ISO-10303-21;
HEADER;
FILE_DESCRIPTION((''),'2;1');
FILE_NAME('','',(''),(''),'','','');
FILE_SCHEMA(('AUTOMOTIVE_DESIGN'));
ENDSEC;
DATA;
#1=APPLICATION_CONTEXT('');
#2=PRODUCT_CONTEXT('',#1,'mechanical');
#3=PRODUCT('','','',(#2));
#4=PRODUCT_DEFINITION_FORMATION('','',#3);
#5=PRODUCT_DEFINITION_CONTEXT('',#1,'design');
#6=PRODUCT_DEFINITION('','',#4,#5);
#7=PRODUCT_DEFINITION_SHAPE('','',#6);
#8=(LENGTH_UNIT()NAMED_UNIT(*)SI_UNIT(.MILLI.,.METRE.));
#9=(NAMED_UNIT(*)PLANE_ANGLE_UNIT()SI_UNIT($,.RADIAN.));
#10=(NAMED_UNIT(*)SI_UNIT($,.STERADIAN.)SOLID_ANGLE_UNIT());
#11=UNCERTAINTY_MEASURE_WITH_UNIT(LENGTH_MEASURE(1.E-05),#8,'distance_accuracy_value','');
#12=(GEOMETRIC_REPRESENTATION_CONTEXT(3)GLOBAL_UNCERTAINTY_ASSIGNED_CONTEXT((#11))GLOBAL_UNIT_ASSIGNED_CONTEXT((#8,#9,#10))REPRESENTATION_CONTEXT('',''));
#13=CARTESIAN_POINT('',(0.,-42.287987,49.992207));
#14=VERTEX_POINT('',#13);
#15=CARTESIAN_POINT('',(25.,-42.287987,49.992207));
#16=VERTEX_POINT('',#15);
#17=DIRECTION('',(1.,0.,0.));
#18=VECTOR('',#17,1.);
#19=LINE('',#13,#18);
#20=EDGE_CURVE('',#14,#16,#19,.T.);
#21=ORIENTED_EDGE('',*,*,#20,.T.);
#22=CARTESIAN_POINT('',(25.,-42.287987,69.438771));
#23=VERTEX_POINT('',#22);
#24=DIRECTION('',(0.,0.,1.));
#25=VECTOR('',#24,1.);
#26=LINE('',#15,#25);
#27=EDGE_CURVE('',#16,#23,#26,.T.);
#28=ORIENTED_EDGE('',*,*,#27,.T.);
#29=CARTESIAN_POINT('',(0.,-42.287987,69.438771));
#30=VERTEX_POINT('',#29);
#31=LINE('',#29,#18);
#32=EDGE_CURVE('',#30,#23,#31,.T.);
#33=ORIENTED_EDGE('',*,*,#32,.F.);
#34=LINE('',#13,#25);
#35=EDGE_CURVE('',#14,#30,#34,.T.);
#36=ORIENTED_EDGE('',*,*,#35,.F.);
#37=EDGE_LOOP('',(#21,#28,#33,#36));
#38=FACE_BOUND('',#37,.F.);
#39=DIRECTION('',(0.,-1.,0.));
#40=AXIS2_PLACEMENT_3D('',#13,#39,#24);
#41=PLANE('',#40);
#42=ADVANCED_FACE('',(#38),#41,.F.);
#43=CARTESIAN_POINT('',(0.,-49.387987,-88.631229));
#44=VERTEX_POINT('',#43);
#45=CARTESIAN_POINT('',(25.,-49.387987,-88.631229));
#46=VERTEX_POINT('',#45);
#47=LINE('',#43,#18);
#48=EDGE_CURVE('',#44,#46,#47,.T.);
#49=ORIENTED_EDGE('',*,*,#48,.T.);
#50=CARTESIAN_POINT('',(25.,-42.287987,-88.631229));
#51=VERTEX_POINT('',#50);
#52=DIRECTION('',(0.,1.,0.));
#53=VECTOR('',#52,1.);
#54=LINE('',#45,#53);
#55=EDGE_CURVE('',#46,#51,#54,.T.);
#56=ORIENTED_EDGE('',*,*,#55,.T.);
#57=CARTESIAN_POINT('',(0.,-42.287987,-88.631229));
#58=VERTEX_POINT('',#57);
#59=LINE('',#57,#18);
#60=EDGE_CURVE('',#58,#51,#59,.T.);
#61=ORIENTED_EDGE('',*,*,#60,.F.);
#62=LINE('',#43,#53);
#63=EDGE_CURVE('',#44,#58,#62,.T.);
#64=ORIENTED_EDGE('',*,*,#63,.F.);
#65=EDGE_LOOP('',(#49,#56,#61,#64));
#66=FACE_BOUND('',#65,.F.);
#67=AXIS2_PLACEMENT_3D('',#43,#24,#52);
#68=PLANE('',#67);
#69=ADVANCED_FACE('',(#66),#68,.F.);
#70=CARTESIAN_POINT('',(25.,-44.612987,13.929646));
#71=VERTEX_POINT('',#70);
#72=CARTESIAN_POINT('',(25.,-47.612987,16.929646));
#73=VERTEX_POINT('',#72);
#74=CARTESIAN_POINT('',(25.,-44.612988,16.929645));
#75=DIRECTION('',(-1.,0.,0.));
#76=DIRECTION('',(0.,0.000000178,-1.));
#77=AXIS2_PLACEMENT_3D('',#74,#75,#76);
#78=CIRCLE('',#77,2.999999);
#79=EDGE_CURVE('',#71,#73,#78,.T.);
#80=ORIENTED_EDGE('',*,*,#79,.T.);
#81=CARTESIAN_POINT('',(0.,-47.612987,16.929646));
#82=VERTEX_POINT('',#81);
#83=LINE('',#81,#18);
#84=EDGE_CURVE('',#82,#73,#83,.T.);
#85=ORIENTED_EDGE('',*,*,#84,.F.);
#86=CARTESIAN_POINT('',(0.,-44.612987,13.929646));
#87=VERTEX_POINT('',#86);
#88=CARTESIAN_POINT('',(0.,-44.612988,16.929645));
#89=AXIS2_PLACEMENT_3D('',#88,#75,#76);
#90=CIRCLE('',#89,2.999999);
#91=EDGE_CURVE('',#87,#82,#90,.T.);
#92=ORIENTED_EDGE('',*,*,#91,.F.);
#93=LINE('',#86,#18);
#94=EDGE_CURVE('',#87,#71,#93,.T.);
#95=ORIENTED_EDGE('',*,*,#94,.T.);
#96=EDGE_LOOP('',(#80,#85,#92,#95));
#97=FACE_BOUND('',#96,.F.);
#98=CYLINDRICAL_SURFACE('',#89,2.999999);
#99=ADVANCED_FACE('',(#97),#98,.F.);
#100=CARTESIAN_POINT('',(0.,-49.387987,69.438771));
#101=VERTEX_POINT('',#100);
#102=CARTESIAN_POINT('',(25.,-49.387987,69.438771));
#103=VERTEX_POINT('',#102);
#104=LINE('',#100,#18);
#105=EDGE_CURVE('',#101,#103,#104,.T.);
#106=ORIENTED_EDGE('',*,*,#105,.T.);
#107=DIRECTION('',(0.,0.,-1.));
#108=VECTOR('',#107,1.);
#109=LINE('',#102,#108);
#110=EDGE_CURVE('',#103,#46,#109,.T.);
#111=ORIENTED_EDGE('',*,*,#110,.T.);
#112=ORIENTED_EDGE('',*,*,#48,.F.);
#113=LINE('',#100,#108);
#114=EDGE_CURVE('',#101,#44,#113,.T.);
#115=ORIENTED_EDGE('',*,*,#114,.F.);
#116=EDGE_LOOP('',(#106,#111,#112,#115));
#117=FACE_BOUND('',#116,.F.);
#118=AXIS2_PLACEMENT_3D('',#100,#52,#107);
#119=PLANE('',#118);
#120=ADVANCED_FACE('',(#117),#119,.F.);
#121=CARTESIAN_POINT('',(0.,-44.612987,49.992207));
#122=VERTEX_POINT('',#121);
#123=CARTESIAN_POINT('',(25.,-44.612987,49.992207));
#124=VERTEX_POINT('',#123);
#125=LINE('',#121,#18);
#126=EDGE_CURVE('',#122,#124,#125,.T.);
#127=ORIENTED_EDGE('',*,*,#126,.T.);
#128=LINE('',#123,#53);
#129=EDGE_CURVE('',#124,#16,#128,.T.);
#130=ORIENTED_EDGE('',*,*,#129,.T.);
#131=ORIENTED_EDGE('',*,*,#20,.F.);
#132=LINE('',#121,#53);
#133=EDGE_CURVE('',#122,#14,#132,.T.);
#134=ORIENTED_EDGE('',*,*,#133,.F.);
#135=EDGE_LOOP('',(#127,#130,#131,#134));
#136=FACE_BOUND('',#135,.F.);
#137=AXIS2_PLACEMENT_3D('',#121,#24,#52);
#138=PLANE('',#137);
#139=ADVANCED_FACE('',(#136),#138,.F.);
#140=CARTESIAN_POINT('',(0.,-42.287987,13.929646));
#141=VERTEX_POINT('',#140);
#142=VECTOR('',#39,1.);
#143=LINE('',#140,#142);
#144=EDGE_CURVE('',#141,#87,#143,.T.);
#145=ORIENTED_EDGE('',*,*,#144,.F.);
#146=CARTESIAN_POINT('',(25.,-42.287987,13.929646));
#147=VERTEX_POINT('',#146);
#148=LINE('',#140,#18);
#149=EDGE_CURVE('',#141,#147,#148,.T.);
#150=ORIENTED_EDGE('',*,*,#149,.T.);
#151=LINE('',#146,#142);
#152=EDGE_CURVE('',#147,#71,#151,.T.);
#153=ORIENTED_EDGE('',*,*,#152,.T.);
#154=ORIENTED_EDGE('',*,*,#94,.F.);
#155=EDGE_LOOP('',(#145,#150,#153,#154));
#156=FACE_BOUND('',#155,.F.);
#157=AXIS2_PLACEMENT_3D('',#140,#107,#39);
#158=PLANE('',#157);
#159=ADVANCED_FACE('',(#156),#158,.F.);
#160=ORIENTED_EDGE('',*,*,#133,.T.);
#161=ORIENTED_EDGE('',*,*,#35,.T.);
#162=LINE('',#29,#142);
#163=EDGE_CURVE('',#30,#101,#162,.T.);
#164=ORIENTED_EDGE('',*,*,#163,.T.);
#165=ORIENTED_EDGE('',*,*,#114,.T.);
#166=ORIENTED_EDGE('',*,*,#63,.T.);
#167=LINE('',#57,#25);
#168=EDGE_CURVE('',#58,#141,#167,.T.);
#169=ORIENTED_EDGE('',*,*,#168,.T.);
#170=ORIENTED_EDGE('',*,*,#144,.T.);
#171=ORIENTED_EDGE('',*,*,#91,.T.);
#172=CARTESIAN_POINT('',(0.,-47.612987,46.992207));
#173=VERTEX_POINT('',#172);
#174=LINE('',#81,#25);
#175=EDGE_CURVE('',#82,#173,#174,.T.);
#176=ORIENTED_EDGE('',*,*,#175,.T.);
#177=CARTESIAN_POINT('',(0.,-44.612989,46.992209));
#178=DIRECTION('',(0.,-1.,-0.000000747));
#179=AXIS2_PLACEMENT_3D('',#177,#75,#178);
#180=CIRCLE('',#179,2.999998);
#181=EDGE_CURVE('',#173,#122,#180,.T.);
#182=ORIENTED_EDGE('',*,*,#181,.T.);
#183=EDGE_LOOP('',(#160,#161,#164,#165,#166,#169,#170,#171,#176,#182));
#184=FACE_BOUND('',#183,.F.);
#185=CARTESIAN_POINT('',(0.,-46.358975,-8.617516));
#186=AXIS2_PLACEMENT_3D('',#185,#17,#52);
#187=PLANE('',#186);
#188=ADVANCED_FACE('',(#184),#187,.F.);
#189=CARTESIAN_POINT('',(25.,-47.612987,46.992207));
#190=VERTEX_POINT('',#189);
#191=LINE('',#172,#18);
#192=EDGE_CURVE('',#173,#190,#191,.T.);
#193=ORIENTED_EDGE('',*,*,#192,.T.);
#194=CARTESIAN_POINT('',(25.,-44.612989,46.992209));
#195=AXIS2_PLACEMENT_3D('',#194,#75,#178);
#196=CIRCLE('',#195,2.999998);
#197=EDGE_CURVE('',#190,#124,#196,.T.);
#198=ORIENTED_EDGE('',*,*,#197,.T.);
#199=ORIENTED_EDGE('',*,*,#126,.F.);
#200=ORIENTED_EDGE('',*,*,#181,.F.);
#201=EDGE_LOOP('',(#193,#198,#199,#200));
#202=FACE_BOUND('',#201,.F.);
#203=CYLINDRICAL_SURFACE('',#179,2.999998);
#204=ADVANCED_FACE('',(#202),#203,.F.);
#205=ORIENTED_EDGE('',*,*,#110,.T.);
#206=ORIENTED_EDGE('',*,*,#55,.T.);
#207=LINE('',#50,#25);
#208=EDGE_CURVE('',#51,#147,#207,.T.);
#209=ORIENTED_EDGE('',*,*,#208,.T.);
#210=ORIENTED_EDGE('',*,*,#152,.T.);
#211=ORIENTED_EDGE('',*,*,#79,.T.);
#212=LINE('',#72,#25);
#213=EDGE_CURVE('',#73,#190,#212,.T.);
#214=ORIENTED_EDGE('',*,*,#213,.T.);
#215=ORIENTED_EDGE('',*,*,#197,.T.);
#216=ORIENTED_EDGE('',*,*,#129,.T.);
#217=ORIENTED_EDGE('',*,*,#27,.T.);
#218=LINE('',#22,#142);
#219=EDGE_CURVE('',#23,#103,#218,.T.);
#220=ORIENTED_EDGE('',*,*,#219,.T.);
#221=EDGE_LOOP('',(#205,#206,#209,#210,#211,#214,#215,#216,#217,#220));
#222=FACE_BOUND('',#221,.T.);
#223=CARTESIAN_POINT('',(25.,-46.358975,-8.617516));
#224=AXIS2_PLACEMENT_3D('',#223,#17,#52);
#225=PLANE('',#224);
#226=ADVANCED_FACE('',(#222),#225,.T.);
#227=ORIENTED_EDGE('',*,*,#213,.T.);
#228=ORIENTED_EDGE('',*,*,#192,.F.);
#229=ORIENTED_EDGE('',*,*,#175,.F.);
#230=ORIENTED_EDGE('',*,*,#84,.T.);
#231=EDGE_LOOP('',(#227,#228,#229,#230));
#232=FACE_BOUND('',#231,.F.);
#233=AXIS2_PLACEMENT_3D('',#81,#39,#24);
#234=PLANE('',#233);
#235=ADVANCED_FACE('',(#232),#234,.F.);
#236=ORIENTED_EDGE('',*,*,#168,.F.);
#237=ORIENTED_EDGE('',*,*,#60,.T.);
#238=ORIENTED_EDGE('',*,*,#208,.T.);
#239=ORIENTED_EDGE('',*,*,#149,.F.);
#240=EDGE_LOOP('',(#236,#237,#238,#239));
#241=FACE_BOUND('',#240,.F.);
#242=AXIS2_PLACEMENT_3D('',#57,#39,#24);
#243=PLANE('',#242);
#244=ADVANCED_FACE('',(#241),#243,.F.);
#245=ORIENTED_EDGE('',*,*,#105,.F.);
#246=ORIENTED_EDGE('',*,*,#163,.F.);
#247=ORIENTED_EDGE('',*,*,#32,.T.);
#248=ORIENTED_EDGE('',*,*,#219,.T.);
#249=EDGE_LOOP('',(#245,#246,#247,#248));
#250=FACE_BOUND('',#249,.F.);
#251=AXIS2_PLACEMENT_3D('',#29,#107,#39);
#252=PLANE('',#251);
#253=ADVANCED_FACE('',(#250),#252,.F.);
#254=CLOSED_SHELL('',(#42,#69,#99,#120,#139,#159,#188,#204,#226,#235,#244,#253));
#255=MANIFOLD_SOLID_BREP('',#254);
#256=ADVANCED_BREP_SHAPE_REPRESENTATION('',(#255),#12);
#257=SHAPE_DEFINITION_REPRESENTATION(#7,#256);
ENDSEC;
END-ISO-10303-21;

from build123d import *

# Parameters (mm, degrees)
F1_DEPTH = 25


with BuildPart() as f1:
    # F0 (on Right) → F1 (new body)
    with BuildSketch(Plane.YZ):
        with BuildLine():
            Line((-42.287987, 69.438771), (-49.387987, 69.438771))
            Line((-49.387987, 69.438771), (-49.387987, -88.631229))
            Line((-49.387987, -88.631229), (-42.287987, -88.631229))
            Line((-42.287987, -88.631229), (-42.287987, 13.929646))
            Line((-42.287987, 13.929646), (-44.612987, 13.929646))
            ThreePointArc((-44.612987, 13.929646), (-46.734308, 14.808326), (-47.612987, 16.929646))
            Line((-47.612987, 16.929646), (-47.612987, 46.992207))
            ThreePointArc((-47.612987, 46.992207), (-46.734308, 49.113528), (-44.612987, 49.992207))
            Line((-44.612987, 49.992207), (-42.287987, 49.992207))
            Line((-42.287987, 49.992207), (-42.287987, 69.438771))
        make_face()
    extrude(amount=F1_DEPTH)


solid = f1.part
